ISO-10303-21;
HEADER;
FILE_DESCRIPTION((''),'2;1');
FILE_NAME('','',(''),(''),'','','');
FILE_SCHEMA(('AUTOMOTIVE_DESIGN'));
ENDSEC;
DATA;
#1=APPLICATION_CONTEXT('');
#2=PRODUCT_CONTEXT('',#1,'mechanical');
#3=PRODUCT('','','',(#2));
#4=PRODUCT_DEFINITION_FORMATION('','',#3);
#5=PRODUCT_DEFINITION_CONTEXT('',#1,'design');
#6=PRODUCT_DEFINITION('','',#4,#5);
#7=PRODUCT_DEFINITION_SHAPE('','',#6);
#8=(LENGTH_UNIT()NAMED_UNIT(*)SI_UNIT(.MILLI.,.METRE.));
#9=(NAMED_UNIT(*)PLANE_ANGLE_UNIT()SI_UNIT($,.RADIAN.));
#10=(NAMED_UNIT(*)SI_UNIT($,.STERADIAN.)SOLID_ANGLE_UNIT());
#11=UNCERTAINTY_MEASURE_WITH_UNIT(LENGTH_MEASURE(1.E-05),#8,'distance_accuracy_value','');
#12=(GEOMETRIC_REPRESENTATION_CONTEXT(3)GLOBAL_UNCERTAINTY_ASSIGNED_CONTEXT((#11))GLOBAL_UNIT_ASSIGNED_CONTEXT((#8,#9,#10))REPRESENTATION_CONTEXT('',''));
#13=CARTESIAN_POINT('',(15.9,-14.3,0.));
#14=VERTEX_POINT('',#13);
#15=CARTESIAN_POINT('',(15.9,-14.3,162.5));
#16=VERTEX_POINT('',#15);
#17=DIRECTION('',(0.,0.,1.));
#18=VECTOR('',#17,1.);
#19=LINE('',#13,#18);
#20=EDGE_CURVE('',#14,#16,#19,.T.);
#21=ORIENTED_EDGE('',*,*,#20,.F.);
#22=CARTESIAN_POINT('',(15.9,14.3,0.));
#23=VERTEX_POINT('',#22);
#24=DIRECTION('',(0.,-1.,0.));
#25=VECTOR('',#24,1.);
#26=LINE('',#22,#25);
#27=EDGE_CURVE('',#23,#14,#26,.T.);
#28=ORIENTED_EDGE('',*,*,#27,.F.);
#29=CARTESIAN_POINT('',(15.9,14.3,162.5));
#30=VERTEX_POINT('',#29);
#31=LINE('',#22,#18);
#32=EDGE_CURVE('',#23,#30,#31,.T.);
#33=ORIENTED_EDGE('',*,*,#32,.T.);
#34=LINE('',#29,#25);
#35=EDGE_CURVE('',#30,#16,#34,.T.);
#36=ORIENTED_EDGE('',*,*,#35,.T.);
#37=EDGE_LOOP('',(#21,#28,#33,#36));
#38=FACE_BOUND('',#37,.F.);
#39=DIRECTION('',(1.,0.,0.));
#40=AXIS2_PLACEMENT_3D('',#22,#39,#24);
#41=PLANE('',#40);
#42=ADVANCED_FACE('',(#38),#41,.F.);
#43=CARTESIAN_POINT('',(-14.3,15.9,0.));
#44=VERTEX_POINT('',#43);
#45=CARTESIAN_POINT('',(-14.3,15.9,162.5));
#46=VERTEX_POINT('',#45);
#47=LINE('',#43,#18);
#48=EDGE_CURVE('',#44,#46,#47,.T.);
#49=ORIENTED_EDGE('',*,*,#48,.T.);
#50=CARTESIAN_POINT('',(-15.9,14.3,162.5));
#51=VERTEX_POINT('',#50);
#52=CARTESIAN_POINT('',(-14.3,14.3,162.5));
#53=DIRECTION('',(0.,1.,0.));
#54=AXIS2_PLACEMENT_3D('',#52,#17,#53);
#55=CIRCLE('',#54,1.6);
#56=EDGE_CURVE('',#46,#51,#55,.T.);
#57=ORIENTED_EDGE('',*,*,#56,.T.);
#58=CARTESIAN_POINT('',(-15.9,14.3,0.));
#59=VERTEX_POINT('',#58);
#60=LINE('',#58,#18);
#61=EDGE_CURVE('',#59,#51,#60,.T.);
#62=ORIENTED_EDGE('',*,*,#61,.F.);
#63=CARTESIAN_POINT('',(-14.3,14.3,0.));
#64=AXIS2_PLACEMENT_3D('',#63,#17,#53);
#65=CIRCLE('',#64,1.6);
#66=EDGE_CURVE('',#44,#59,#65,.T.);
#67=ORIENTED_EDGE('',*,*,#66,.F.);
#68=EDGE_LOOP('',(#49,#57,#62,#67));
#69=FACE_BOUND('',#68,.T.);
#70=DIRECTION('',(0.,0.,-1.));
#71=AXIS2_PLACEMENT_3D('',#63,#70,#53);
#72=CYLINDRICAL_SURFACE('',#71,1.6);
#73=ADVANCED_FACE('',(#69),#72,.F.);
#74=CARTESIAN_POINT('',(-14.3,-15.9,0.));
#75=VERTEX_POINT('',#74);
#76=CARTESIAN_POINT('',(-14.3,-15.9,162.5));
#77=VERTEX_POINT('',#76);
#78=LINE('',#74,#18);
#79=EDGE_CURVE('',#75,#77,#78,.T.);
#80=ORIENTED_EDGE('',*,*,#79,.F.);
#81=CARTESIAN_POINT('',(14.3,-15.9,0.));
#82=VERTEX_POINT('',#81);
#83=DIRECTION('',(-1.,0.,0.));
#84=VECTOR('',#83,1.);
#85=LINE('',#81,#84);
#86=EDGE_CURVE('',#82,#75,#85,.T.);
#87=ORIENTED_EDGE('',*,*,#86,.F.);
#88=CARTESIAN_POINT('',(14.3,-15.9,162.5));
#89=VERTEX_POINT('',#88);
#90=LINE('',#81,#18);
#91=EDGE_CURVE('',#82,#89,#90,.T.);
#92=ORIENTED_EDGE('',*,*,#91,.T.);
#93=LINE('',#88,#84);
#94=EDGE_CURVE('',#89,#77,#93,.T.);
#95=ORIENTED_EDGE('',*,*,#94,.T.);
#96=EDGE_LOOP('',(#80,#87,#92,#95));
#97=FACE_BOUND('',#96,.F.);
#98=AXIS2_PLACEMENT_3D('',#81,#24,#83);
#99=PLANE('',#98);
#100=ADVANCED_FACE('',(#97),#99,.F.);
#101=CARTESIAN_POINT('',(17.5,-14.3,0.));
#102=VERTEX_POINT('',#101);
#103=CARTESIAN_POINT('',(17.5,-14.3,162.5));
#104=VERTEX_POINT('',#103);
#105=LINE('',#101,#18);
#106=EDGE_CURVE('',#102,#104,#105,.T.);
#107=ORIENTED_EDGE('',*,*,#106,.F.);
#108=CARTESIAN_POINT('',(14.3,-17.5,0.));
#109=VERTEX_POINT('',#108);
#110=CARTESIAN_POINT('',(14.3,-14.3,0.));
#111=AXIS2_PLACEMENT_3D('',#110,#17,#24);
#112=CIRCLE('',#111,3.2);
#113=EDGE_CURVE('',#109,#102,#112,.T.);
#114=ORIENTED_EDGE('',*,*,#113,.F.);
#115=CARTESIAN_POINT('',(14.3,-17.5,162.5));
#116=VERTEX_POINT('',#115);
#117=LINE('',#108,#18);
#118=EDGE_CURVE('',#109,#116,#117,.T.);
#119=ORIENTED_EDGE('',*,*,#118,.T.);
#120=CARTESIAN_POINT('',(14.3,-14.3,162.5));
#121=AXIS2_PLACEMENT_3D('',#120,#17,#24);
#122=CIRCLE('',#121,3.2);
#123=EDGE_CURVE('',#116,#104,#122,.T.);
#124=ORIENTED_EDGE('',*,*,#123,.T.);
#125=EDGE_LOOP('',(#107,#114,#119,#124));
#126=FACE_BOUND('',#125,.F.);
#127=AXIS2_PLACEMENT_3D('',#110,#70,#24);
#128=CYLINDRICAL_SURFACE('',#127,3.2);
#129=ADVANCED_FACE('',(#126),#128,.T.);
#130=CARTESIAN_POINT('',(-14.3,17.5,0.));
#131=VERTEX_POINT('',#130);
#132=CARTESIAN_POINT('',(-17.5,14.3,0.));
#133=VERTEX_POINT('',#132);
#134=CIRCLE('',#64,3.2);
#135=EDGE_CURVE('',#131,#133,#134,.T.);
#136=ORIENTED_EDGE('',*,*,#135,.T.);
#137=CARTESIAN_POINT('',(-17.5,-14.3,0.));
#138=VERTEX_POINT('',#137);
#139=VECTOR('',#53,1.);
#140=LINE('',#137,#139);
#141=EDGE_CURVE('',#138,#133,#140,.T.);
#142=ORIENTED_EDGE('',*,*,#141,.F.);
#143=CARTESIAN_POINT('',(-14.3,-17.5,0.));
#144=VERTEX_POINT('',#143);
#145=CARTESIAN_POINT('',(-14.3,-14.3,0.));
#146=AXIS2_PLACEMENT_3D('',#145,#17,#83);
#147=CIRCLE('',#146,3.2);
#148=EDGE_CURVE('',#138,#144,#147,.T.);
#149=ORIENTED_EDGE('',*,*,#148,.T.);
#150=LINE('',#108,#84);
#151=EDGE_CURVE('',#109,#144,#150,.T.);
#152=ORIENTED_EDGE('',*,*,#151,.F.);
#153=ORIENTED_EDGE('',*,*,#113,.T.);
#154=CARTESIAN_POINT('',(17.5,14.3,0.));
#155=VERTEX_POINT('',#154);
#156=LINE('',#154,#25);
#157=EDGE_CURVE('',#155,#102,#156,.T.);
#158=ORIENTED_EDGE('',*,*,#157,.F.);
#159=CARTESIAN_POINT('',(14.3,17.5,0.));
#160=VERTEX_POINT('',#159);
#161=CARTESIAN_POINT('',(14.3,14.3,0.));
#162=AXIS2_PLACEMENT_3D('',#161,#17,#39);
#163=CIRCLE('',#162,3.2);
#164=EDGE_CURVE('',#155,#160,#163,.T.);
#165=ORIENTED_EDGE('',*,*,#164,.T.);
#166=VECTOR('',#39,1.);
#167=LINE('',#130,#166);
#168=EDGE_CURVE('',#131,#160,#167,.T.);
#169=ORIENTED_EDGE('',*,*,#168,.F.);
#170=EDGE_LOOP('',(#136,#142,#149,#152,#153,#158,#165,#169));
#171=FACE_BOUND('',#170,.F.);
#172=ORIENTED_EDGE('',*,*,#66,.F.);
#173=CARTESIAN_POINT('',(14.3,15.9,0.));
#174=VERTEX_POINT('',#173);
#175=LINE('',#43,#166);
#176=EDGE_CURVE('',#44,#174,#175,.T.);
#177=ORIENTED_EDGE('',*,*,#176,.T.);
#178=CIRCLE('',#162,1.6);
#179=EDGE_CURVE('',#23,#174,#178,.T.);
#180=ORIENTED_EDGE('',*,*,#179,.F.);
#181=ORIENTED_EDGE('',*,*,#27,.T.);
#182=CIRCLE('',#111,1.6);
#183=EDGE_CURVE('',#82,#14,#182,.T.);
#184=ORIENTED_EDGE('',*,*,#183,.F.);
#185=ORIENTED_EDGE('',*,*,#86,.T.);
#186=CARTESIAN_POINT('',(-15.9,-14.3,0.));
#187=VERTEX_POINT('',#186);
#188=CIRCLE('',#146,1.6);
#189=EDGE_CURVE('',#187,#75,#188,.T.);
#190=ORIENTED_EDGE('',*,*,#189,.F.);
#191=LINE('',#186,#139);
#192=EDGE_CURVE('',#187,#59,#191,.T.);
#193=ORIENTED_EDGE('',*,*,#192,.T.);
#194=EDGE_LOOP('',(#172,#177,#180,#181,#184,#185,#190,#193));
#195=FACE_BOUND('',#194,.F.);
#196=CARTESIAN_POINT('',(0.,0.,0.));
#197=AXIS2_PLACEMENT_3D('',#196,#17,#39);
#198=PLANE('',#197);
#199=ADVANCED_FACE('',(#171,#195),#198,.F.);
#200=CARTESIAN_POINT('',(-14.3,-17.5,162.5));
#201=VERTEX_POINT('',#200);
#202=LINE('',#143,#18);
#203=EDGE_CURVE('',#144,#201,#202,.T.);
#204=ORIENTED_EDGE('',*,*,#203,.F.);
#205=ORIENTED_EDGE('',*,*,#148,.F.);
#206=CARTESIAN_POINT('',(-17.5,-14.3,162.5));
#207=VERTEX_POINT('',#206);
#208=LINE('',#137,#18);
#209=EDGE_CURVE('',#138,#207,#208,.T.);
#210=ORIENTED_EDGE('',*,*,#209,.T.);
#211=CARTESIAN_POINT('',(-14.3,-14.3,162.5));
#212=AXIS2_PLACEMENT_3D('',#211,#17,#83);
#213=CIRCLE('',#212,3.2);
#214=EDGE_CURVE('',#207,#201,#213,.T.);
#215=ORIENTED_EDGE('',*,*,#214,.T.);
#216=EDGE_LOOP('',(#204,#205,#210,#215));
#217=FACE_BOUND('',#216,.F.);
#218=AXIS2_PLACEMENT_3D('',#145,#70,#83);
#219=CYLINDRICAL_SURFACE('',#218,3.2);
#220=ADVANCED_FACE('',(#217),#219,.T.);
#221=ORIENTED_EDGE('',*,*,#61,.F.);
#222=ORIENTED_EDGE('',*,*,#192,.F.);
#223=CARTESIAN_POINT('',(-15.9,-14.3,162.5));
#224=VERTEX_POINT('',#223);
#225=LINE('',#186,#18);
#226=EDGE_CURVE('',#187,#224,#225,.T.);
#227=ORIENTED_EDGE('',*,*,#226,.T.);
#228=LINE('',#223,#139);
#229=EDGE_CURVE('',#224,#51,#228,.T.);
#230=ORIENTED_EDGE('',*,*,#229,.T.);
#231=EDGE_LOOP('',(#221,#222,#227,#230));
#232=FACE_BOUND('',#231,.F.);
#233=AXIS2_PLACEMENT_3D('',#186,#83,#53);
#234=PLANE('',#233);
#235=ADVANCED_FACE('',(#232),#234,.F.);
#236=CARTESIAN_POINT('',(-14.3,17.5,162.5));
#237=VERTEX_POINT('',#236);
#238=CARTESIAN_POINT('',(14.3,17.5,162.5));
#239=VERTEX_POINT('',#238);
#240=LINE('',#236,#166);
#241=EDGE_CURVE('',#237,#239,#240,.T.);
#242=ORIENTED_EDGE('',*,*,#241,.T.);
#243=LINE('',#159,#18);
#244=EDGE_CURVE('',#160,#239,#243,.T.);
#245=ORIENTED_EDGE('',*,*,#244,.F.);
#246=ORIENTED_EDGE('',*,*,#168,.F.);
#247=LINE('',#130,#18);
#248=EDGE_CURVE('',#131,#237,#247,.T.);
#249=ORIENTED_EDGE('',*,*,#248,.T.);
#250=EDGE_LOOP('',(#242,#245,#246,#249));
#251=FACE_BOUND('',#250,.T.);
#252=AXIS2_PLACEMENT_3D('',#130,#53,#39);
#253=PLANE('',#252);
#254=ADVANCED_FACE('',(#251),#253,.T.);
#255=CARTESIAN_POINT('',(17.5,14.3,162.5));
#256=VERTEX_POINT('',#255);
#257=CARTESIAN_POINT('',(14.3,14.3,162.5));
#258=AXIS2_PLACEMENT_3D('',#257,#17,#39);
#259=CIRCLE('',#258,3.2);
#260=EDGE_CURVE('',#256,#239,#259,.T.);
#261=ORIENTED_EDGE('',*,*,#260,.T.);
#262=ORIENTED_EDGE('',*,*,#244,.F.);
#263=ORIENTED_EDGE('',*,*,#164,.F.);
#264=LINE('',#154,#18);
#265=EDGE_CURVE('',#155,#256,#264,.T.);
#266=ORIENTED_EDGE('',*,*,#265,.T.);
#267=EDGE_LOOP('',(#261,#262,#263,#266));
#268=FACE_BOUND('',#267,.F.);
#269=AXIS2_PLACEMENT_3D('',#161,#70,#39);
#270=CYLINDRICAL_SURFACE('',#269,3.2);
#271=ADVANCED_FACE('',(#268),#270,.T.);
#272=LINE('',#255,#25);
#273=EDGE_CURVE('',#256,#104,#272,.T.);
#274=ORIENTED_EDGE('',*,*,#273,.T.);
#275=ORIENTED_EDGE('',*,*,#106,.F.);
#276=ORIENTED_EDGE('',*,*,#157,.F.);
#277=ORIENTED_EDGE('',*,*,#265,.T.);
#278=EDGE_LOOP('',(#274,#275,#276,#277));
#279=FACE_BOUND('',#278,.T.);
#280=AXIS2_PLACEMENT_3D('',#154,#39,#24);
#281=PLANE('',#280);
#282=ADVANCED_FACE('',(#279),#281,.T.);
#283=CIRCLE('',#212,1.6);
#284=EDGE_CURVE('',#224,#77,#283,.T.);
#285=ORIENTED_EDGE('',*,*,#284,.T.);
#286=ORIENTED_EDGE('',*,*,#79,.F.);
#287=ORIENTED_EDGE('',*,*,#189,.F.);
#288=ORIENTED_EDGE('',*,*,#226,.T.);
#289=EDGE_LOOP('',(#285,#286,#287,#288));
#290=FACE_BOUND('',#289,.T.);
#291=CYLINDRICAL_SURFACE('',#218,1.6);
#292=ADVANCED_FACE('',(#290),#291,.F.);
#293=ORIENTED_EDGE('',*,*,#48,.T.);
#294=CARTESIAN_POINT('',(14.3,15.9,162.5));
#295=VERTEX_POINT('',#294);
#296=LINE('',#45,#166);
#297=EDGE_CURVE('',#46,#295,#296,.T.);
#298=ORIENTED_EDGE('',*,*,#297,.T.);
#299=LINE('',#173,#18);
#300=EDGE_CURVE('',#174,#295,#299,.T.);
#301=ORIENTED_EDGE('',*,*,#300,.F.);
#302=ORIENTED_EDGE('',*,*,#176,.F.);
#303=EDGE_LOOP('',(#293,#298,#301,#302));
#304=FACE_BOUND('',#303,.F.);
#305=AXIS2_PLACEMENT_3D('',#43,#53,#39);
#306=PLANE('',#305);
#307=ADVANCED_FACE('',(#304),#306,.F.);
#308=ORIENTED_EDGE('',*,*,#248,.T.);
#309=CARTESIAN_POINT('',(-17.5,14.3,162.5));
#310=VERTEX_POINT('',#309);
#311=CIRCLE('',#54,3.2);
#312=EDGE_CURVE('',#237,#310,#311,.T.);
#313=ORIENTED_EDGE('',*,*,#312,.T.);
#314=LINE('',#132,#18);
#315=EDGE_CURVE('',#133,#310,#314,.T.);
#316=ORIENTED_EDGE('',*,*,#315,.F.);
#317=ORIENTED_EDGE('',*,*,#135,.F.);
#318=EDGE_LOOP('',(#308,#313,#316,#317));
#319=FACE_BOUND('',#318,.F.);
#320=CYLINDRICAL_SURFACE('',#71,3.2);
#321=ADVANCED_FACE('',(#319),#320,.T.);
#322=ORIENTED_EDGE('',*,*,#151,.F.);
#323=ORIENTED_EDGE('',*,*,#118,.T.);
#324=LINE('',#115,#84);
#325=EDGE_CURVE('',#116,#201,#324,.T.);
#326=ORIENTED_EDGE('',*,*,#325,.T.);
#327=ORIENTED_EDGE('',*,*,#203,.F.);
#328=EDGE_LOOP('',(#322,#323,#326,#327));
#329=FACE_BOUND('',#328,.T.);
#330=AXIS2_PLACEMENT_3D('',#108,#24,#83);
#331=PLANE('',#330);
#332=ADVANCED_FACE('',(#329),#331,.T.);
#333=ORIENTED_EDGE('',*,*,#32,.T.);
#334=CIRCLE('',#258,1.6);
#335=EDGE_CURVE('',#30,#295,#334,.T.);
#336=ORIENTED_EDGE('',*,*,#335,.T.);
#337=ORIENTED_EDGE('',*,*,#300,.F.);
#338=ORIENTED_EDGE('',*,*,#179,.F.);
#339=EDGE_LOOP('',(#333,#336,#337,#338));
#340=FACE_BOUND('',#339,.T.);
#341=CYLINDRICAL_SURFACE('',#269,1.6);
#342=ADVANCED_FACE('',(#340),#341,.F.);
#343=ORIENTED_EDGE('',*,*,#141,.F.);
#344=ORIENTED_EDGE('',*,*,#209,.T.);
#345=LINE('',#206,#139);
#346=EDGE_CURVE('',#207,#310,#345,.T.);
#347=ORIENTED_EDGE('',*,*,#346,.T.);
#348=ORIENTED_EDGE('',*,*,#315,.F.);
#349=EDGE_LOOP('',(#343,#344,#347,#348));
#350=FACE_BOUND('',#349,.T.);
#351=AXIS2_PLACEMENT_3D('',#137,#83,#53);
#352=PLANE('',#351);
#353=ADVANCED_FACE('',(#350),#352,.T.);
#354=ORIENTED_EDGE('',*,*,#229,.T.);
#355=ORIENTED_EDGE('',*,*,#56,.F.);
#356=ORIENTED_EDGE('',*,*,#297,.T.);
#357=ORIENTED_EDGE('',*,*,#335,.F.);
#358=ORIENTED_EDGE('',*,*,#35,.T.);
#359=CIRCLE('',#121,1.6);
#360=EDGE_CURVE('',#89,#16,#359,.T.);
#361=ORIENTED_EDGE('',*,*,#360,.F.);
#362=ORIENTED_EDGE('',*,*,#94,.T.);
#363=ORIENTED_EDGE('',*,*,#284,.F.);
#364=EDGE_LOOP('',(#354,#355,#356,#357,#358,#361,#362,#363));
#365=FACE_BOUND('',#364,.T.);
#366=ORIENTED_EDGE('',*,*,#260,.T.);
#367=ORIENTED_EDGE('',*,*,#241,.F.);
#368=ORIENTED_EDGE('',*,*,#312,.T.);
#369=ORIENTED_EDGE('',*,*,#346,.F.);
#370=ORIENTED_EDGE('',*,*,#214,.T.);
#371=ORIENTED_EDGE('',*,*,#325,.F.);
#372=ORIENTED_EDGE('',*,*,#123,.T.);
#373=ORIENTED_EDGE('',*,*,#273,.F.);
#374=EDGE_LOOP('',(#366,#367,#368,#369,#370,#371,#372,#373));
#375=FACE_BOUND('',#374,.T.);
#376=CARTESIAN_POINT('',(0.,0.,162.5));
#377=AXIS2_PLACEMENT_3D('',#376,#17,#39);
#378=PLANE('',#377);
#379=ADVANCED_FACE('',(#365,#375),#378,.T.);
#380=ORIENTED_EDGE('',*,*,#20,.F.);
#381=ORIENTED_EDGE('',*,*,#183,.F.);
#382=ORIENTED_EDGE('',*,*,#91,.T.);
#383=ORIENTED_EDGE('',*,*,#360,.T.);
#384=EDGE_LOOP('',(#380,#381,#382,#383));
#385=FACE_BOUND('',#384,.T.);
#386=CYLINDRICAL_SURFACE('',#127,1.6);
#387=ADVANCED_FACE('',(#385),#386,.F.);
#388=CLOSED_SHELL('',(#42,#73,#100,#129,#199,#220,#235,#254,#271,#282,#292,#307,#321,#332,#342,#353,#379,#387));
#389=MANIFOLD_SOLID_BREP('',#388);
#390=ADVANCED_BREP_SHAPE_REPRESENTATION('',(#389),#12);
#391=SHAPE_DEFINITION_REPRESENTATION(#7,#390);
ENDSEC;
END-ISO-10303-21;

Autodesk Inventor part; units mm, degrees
ref_plane "Start plane" through (0, 0, 0) normal (0, 0, 1) x (1, 0, 0)
ref_plane "End plane" through (0, 0, 162.5) normal (0, 0, 1) x (1, 0, 0)
sketch "Sketch" plane through (0, 0, 0) normal (0, 0, 1) x (1, 0, 0)
  line L0 (-17.5, -14.3) -> (-17.5, 14.3)
  line L1 (-14.3, 17.5) -> (14.3, 17.5)
  line L2 (17.5, 14.3) -> (17.5, -14.3)
  line L3 (14.3, -17.5) -> (-14.3, -17.5)
  arc A0 (-17.5, -14.3) -> (-14.3, -17.5) centre (-14.3, -14.3) ccw
  arc A1 (-14.3, 17.5) -> (-17.5, 14.3) centre (-14.3, 14.3) ccw
  arc A2 (17.5, 14.3) -> (14.3, 17.5) centre (14.3, 14.3) ccw
  arc A3 (14.3, -17.5) -> (17.5, -14.3) centre (14.3, -14.3) ccw
  arc A4 (-14.3, 15.9) -> (-15.9, 14.3) centre (-14.3, 14.3) ccw
  line L4 (-14.3, 15.9) -> (14.3, 15.9)
  arc A5 (15.9, 14.3) -> (14.3, 15.9) centre (14.3, 14.3) ccw
  line L5 (15.9, 14.3) -> (15.9, -14.3)
  arc A6 (14.3, -15.9) -> (15.9, -14.3) centre (14.3, -14.3) ccw
  line L6 (14.3, -15.9) -> (-14.3, -15.9)
  arc A7 (-15.9, -14.3) -> (-14.3, -15.9) centre (-14.3, -14.3) ccw
  line L7 (-15.9, -14.3) -> (-15.9, 14.3)
  line L8 (0, 25.4278) -> (0, -25.4278) construction
  line L9 (-25.4278, 0) -> (25.4278, 0) construction
  dimension "d7" = 3.2
  dimension "d10" = 35
  dimension "d11" = 35
  dimension "d12" = 1.6
  dimension "d15" = 17.5
  dimension "d16" = 17.5
extrude "Body" add sketch "Sketch" along normal up to surface (162.5 mm away) from surface at 0
sketch "Sketch3" plane through (0, 0, 0) normal (0, 0, 1) x (1, 0, 0)
  line L0 (0, 0) -> (10, 0)
ref_plane "Work Plane3" through (0, 0, 0) normal (0, -1, 0) x (1, 0, 0)
sketch "Sketch4" plane through (0, 0, 0) normal (0, -1, 0) x (1, 0, 0)
  line L0 (-2, 0) -> (12, 0)
  line L1 (-2, 162.5) -> (12, 162.5)
  dimension "d18" = 162.5
ref_plane "Work Plane6" through (0, -17.5, 162.5) normal (0, 0, 1) x (1, 0, 0)
split "Split3" plane through (0, -17.5, 162.5) removes the side toward (0, 0, 1)
equation "\"d7\" = G_IR"
equation "\"d10\" = G_H"
equation "\"d11\" = G_W"
equation "\"d12\" = G_T"
equation "\"d15\" = 0.5 * d10"
equation "\"d16\" = 0.5 * d11"
equation "\"d3\" = G_L"
equation "\"G_W\" = 35"
equation "\"G_H\" = 35"
equation "\"G_T\" = 1.6"
equation "\"G_IR\" = 3.2"
equation "\"G_L\" = d18"
equation "\"G_OFFSET_START\" = 0"
equation "\"G_OFFSET_END\" = -17.5"
equation "\"d14\" = G_OFFSET_END + B_L"
equation "\"B_L\" = 180"
properties part number "AS 1163 - C350L0 35x35x1.6 SHS - 162.5" material "Steel, Mild"
